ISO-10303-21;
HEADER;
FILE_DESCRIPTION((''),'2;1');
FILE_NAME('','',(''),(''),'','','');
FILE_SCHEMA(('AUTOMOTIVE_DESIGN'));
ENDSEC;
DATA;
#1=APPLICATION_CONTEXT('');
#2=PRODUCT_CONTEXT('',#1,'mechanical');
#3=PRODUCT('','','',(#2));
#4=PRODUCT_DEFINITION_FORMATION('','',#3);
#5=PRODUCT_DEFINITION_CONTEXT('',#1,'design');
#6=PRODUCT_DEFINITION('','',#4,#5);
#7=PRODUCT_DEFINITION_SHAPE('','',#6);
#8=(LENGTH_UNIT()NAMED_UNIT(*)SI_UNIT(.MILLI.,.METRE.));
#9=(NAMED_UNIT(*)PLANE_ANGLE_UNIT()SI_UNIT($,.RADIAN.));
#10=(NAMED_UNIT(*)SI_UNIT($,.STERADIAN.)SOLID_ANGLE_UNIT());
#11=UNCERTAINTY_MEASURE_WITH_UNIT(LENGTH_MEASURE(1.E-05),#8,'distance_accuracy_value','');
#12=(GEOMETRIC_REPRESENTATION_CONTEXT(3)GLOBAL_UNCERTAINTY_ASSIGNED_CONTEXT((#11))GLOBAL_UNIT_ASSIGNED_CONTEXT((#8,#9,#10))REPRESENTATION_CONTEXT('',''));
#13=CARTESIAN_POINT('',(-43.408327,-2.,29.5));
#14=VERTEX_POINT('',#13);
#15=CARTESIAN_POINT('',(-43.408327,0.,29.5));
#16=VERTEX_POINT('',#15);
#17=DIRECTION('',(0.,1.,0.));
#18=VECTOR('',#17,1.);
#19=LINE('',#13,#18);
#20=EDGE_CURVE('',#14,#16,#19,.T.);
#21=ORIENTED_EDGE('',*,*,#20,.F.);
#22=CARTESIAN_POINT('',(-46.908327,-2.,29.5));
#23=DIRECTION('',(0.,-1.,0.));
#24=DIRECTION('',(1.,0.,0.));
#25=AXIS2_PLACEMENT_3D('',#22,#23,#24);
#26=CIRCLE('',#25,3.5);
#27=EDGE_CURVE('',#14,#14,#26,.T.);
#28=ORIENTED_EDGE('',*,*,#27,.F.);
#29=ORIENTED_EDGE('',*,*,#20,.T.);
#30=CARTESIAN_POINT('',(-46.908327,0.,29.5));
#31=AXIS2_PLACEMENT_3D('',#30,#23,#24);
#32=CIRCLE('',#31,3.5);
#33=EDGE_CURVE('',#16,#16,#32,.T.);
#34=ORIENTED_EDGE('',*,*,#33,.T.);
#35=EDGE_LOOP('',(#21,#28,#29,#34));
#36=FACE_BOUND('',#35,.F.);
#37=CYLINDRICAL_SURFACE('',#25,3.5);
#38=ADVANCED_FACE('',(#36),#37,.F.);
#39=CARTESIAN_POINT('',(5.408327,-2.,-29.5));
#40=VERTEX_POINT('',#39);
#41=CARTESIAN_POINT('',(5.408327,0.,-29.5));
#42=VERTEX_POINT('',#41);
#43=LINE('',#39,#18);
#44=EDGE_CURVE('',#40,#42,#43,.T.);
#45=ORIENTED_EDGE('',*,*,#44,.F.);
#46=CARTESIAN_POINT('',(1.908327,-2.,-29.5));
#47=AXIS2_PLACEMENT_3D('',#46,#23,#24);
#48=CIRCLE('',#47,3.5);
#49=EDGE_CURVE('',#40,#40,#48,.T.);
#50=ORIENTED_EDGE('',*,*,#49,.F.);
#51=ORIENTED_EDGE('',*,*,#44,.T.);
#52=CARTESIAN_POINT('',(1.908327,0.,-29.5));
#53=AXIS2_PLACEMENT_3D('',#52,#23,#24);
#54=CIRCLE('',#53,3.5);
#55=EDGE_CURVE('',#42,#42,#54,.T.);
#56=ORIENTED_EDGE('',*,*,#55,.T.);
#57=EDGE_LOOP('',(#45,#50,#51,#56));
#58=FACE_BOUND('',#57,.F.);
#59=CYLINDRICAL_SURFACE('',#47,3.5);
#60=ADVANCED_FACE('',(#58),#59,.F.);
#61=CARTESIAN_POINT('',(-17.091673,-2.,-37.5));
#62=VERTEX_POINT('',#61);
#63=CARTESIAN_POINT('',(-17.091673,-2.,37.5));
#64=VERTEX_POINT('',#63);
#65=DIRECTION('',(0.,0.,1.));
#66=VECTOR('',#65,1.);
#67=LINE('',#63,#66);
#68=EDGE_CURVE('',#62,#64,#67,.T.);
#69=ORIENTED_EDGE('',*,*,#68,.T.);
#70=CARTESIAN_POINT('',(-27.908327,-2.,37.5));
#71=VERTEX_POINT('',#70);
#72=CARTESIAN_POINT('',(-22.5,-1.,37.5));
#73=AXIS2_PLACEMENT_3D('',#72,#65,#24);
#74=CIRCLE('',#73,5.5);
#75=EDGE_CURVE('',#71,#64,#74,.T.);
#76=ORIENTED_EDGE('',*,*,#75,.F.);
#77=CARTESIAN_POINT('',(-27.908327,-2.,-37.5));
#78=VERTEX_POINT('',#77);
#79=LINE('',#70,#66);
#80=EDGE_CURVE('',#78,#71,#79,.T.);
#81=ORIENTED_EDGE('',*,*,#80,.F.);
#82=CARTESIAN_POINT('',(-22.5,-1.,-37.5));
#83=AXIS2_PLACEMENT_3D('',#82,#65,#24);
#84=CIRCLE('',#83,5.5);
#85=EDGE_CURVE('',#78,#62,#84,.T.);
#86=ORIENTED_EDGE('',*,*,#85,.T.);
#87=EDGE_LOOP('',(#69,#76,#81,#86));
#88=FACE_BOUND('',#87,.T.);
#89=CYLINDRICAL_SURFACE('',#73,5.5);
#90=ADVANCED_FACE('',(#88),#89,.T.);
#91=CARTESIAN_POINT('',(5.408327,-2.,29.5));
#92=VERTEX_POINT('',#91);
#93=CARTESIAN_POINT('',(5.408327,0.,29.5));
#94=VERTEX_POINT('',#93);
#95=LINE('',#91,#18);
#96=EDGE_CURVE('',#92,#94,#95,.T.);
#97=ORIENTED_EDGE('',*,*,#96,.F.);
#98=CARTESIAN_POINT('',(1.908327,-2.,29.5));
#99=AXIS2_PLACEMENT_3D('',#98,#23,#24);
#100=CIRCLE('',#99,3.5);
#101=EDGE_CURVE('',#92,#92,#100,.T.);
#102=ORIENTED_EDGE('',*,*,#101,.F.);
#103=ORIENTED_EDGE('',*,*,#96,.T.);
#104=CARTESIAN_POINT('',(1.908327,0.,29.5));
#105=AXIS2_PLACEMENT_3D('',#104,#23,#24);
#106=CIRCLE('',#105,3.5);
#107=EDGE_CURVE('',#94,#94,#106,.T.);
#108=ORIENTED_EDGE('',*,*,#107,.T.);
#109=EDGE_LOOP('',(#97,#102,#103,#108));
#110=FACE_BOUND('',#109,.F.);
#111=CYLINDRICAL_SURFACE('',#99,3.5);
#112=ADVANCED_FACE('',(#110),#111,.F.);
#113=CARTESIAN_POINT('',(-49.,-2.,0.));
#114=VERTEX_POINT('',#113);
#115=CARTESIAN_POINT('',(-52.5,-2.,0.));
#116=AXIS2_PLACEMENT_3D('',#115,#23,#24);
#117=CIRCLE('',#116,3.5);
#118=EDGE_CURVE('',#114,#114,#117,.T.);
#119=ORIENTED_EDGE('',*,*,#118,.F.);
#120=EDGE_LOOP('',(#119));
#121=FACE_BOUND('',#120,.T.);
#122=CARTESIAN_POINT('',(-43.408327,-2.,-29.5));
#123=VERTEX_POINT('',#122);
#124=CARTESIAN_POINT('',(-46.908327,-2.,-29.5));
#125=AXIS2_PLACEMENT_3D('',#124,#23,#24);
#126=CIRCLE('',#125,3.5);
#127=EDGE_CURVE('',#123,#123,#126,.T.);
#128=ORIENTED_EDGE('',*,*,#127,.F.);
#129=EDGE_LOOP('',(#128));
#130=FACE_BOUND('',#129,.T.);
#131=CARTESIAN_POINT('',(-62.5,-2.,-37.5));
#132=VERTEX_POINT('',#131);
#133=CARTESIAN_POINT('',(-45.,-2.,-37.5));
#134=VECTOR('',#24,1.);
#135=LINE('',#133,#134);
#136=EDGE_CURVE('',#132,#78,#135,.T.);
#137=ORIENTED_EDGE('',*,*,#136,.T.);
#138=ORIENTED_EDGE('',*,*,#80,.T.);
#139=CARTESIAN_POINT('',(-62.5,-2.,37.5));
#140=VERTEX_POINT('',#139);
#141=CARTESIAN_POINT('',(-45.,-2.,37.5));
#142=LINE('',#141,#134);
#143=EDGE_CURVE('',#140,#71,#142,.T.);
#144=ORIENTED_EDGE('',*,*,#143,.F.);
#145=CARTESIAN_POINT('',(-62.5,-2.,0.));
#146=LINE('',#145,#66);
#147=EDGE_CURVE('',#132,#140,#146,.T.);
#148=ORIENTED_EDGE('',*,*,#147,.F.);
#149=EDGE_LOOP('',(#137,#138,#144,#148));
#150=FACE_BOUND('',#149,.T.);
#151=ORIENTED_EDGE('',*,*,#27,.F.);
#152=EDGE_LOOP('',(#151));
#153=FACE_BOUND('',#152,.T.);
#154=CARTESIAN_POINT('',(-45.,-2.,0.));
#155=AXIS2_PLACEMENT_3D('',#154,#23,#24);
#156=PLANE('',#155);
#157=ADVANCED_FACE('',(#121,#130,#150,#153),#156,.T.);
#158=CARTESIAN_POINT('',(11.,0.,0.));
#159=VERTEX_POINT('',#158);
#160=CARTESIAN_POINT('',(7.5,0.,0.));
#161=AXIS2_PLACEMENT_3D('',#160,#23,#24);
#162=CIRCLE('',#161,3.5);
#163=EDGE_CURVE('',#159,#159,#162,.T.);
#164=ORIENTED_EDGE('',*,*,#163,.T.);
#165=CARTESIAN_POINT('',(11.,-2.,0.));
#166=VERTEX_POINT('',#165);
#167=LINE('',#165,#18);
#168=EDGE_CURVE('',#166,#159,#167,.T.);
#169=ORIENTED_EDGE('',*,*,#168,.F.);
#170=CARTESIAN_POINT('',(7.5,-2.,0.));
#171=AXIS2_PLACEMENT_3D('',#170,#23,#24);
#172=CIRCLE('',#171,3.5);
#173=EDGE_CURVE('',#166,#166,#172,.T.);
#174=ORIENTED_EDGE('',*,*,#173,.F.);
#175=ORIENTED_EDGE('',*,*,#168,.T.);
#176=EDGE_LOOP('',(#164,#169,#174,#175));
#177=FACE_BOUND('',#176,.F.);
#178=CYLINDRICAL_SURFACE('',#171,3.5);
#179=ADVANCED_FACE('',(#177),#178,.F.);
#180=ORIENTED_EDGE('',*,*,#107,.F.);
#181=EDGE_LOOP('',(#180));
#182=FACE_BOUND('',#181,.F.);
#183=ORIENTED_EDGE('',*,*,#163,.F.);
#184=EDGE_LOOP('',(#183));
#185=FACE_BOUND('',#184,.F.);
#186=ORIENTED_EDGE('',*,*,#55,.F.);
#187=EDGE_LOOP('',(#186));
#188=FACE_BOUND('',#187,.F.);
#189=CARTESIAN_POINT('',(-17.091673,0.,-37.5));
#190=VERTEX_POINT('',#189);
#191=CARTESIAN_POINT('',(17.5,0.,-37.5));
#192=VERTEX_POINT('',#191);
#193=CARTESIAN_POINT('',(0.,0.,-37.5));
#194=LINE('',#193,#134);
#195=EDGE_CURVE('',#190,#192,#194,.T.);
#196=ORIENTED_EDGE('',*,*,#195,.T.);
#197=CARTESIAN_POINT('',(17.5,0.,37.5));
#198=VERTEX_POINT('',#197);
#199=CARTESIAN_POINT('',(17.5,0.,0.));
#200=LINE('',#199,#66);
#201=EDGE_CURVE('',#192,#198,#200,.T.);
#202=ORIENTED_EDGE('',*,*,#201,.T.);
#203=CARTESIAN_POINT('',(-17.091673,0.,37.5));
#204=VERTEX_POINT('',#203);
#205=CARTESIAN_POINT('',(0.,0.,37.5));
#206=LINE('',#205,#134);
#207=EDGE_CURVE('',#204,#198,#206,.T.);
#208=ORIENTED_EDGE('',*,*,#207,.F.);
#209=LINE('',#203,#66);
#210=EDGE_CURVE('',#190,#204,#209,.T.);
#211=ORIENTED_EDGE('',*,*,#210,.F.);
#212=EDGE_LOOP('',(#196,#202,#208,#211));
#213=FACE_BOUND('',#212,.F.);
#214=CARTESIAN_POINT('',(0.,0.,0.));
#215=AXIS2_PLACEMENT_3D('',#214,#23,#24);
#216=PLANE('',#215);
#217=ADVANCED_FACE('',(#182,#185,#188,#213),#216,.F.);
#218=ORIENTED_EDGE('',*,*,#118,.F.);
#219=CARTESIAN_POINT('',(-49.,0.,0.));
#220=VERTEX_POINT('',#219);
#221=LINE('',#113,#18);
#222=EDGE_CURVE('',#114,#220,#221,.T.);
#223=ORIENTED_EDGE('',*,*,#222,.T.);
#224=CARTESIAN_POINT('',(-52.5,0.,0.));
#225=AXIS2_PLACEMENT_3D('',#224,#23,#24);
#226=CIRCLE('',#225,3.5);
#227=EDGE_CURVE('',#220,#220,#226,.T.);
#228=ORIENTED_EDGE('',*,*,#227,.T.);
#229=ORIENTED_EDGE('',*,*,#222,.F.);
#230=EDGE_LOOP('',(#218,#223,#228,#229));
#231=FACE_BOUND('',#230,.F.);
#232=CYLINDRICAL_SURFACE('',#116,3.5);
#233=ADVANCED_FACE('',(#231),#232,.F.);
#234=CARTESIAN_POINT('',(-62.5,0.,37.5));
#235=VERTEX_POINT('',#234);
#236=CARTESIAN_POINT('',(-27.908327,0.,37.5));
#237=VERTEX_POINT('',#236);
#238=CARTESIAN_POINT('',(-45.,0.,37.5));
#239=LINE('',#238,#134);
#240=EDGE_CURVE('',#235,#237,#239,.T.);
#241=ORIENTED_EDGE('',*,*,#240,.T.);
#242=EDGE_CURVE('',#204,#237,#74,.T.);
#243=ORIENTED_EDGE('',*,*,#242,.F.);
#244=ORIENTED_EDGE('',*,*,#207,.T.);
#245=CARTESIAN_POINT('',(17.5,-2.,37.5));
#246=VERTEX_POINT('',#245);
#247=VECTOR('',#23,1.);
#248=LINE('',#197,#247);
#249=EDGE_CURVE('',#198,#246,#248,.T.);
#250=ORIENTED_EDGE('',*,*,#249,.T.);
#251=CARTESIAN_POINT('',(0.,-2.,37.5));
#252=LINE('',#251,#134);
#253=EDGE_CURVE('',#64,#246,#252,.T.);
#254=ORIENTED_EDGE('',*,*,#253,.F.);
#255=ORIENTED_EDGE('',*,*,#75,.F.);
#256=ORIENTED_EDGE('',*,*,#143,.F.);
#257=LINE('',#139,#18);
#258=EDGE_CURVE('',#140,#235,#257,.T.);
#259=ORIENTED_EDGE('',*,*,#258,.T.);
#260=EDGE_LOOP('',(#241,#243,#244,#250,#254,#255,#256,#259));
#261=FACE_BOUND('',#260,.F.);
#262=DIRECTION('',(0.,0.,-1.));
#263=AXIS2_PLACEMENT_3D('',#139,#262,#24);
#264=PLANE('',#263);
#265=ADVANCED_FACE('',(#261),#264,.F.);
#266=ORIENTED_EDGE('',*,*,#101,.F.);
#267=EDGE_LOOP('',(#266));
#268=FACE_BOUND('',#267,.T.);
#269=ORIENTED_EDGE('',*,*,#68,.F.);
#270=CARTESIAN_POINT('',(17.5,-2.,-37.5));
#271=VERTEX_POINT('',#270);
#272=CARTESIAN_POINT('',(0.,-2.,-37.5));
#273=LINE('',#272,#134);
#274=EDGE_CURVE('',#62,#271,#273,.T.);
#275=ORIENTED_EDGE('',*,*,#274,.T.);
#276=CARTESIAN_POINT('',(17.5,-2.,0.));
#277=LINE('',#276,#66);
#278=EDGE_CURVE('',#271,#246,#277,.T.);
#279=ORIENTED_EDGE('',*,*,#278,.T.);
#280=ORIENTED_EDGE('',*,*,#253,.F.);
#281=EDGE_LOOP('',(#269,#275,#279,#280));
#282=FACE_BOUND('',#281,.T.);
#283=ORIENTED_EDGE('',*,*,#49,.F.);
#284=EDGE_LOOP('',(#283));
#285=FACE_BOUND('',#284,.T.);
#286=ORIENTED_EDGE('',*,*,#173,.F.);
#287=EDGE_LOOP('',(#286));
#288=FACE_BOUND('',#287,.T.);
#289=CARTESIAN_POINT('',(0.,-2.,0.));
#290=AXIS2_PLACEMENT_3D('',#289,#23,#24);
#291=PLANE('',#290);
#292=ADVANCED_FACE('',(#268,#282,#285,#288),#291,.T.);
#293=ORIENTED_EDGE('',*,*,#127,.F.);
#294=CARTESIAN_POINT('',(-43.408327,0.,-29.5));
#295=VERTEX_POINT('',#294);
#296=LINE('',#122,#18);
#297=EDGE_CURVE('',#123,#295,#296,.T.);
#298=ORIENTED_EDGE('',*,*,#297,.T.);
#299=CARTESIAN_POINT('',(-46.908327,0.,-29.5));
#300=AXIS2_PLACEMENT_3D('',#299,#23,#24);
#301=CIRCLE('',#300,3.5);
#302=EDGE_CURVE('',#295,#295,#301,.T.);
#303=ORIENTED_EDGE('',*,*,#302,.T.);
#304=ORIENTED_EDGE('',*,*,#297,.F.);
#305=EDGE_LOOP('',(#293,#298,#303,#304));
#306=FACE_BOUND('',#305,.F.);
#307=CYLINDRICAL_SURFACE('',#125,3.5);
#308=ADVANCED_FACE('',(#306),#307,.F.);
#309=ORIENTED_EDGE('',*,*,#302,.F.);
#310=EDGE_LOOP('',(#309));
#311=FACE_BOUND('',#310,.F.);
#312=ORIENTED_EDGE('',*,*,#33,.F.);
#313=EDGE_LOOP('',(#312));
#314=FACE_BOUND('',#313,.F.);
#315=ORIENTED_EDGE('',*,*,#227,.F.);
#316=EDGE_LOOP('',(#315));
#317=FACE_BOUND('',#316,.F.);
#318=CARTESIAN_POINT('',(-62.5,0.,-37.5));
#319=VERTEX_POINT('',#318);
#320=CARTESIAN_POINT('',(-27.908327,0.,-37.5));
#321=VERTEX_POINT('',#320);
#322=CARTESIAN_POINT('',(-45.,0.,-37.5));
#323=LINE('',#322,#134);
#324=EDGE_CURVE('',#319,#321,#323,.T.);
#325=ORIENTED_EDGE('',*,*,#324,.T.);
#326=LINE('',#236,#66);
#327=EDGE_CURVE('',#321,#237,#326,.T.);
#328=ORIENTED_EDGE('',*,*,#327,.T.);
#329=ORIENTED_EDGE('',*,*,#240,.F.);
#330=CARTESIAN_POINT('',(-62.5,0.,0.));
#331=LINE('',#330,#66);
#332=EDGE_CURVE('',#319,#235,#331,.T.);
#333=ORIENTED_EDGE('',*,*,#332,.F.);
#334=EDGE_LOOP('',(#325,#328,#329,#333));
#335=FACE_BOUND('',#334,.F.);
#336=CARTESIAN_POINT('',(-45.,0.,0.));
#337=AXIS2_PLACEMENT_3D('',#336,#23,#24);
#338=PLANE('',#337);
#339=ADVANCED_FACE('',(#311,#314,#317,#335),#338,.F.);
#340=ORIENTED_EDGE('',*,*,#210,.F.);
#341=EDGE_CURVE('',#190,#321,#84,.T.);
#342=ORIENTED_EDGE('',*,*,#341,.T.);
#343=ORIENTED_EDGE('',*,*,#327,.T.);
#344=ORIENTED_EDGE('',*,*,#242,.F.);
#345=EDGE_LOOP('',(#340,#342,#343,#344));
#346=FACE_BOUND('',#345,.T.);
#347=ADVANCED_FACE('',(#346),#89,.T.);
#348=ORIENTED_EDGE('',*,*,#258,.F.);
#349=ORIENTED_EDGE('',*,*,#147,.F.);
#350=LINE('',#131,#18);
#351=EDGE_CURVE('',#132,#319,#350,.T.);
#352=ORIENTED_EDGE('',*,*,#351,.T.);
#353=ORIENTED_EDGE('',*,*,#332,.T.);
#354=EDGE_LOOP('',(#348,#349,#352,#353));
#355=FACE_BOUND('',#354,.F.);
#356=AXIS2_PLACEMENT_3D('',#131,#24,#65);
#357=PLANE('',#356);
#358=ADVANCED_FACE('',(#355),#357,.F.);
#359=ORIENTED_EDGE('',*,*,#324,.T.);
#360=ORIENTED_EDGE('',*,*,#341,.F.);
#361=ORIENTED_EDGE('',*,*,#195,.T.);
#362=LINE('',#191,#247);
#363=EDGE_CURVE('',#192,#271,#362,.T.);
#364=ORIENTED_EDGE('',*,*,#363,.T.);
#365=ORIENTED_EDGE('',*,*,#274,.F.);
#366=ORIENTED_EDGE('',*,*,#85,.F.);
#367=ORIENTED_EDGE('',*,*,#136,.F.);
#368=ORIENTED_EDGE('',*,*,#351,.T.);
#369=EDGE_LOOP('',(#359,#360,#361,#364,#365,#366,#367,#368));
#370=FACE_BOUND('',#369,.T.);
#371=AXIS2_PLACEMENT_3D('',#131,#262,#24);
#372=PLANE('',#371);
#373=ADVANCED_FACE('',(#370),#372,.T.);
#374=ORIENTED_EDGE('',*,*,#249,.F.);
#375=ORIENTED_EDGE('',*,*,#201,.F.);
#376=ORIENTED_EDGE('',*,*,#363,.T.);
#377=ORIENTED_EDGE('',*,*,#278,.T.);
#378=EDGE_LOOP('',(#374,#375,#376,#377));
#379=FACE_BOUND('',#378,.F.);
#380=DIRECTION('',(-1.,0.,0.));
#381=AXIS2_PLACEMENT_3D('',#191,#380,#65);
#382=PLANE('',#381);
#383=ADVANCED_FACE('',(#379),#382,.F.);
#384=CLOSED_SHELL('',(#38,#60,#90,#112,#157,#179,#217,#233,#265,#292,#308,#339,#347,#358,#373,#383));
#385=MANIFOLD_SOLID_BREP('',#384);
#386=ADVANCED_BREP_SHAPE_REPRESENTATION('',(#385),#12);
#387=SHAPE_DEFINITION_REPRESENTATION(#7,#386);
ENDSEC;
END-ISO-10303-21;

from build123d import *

# Parameters (mm, degrees)
F0_W      = 35
F0_H      = 75
F1_DEPTH  = 2
F2_R      = 5.5
F3_DEPTH  = 75
F4_W      = 35
F4_H      = 75
F5_DEPTH  = 2
F7_R      = 3.5
F8_DEPTH  = 6.501
F9_R      = 3.5
F10_DEPTH = 6.501


with BuildPart() as f1:
    # F0 (on Front) → F1 (new body)
    with BuildSketch(Plane.XZ):
        Rectangle(F0_W, F0_H)
    extrude(amount=F1_DEPTH)


with BuildPart() as f3:
    # F2 (on face) → F3 (new body)
    with BuildSketch(Plane.XY.offset(37.5)):
        with Locations((-22.5, -1)):
            Circle(F2_R)
    extrude(amount=-F3_DEPTH)


with BuildPart() as f5:
    # F4 (on face) → F5 (new body)
    with BuildSketch(Plane.XZ.offset(2)):
        with Locations((-45, 0)):
            Rectangle(F4_W, F4_H)
    extrude(amount=-F5_DEPTH)


with BuildPart() as f1_1:
    add(f1.part)

    # F6: union F3, F5
    add(f3.part)
    add(f5.part)

    # F7 (on face) → F8 (cut, through all)
    with BuildSketch(Plane.XZ.offset(2)):
        with Locations((1.908327, -29.5)):
            Circle(F7_R)
        with Locations((1.908327, 29.5)):
            Circle(F7_R)
        with Locations((7.5, 0)):
            Circle(F7_R)
    extrude(amount=-F8_DEPTH, mode=Mode.SUBTRACT)

    # F9 (on face) → F10 (cut, through all)
    with BuildSketch(Plane.XZ.offset(2)):
        with Locations((-46.908327, -29.5)):
            Circle(F9_R)
        with Locations((-46.908327, 29.5)):
            Circle(F9_R)
        with Locations((-52.5, 0)):
            Circle(F9_R)
    extrude(amount=-F10_DEPTH, mode=Mode.SUBTRACT)


solid = f1_1.part
